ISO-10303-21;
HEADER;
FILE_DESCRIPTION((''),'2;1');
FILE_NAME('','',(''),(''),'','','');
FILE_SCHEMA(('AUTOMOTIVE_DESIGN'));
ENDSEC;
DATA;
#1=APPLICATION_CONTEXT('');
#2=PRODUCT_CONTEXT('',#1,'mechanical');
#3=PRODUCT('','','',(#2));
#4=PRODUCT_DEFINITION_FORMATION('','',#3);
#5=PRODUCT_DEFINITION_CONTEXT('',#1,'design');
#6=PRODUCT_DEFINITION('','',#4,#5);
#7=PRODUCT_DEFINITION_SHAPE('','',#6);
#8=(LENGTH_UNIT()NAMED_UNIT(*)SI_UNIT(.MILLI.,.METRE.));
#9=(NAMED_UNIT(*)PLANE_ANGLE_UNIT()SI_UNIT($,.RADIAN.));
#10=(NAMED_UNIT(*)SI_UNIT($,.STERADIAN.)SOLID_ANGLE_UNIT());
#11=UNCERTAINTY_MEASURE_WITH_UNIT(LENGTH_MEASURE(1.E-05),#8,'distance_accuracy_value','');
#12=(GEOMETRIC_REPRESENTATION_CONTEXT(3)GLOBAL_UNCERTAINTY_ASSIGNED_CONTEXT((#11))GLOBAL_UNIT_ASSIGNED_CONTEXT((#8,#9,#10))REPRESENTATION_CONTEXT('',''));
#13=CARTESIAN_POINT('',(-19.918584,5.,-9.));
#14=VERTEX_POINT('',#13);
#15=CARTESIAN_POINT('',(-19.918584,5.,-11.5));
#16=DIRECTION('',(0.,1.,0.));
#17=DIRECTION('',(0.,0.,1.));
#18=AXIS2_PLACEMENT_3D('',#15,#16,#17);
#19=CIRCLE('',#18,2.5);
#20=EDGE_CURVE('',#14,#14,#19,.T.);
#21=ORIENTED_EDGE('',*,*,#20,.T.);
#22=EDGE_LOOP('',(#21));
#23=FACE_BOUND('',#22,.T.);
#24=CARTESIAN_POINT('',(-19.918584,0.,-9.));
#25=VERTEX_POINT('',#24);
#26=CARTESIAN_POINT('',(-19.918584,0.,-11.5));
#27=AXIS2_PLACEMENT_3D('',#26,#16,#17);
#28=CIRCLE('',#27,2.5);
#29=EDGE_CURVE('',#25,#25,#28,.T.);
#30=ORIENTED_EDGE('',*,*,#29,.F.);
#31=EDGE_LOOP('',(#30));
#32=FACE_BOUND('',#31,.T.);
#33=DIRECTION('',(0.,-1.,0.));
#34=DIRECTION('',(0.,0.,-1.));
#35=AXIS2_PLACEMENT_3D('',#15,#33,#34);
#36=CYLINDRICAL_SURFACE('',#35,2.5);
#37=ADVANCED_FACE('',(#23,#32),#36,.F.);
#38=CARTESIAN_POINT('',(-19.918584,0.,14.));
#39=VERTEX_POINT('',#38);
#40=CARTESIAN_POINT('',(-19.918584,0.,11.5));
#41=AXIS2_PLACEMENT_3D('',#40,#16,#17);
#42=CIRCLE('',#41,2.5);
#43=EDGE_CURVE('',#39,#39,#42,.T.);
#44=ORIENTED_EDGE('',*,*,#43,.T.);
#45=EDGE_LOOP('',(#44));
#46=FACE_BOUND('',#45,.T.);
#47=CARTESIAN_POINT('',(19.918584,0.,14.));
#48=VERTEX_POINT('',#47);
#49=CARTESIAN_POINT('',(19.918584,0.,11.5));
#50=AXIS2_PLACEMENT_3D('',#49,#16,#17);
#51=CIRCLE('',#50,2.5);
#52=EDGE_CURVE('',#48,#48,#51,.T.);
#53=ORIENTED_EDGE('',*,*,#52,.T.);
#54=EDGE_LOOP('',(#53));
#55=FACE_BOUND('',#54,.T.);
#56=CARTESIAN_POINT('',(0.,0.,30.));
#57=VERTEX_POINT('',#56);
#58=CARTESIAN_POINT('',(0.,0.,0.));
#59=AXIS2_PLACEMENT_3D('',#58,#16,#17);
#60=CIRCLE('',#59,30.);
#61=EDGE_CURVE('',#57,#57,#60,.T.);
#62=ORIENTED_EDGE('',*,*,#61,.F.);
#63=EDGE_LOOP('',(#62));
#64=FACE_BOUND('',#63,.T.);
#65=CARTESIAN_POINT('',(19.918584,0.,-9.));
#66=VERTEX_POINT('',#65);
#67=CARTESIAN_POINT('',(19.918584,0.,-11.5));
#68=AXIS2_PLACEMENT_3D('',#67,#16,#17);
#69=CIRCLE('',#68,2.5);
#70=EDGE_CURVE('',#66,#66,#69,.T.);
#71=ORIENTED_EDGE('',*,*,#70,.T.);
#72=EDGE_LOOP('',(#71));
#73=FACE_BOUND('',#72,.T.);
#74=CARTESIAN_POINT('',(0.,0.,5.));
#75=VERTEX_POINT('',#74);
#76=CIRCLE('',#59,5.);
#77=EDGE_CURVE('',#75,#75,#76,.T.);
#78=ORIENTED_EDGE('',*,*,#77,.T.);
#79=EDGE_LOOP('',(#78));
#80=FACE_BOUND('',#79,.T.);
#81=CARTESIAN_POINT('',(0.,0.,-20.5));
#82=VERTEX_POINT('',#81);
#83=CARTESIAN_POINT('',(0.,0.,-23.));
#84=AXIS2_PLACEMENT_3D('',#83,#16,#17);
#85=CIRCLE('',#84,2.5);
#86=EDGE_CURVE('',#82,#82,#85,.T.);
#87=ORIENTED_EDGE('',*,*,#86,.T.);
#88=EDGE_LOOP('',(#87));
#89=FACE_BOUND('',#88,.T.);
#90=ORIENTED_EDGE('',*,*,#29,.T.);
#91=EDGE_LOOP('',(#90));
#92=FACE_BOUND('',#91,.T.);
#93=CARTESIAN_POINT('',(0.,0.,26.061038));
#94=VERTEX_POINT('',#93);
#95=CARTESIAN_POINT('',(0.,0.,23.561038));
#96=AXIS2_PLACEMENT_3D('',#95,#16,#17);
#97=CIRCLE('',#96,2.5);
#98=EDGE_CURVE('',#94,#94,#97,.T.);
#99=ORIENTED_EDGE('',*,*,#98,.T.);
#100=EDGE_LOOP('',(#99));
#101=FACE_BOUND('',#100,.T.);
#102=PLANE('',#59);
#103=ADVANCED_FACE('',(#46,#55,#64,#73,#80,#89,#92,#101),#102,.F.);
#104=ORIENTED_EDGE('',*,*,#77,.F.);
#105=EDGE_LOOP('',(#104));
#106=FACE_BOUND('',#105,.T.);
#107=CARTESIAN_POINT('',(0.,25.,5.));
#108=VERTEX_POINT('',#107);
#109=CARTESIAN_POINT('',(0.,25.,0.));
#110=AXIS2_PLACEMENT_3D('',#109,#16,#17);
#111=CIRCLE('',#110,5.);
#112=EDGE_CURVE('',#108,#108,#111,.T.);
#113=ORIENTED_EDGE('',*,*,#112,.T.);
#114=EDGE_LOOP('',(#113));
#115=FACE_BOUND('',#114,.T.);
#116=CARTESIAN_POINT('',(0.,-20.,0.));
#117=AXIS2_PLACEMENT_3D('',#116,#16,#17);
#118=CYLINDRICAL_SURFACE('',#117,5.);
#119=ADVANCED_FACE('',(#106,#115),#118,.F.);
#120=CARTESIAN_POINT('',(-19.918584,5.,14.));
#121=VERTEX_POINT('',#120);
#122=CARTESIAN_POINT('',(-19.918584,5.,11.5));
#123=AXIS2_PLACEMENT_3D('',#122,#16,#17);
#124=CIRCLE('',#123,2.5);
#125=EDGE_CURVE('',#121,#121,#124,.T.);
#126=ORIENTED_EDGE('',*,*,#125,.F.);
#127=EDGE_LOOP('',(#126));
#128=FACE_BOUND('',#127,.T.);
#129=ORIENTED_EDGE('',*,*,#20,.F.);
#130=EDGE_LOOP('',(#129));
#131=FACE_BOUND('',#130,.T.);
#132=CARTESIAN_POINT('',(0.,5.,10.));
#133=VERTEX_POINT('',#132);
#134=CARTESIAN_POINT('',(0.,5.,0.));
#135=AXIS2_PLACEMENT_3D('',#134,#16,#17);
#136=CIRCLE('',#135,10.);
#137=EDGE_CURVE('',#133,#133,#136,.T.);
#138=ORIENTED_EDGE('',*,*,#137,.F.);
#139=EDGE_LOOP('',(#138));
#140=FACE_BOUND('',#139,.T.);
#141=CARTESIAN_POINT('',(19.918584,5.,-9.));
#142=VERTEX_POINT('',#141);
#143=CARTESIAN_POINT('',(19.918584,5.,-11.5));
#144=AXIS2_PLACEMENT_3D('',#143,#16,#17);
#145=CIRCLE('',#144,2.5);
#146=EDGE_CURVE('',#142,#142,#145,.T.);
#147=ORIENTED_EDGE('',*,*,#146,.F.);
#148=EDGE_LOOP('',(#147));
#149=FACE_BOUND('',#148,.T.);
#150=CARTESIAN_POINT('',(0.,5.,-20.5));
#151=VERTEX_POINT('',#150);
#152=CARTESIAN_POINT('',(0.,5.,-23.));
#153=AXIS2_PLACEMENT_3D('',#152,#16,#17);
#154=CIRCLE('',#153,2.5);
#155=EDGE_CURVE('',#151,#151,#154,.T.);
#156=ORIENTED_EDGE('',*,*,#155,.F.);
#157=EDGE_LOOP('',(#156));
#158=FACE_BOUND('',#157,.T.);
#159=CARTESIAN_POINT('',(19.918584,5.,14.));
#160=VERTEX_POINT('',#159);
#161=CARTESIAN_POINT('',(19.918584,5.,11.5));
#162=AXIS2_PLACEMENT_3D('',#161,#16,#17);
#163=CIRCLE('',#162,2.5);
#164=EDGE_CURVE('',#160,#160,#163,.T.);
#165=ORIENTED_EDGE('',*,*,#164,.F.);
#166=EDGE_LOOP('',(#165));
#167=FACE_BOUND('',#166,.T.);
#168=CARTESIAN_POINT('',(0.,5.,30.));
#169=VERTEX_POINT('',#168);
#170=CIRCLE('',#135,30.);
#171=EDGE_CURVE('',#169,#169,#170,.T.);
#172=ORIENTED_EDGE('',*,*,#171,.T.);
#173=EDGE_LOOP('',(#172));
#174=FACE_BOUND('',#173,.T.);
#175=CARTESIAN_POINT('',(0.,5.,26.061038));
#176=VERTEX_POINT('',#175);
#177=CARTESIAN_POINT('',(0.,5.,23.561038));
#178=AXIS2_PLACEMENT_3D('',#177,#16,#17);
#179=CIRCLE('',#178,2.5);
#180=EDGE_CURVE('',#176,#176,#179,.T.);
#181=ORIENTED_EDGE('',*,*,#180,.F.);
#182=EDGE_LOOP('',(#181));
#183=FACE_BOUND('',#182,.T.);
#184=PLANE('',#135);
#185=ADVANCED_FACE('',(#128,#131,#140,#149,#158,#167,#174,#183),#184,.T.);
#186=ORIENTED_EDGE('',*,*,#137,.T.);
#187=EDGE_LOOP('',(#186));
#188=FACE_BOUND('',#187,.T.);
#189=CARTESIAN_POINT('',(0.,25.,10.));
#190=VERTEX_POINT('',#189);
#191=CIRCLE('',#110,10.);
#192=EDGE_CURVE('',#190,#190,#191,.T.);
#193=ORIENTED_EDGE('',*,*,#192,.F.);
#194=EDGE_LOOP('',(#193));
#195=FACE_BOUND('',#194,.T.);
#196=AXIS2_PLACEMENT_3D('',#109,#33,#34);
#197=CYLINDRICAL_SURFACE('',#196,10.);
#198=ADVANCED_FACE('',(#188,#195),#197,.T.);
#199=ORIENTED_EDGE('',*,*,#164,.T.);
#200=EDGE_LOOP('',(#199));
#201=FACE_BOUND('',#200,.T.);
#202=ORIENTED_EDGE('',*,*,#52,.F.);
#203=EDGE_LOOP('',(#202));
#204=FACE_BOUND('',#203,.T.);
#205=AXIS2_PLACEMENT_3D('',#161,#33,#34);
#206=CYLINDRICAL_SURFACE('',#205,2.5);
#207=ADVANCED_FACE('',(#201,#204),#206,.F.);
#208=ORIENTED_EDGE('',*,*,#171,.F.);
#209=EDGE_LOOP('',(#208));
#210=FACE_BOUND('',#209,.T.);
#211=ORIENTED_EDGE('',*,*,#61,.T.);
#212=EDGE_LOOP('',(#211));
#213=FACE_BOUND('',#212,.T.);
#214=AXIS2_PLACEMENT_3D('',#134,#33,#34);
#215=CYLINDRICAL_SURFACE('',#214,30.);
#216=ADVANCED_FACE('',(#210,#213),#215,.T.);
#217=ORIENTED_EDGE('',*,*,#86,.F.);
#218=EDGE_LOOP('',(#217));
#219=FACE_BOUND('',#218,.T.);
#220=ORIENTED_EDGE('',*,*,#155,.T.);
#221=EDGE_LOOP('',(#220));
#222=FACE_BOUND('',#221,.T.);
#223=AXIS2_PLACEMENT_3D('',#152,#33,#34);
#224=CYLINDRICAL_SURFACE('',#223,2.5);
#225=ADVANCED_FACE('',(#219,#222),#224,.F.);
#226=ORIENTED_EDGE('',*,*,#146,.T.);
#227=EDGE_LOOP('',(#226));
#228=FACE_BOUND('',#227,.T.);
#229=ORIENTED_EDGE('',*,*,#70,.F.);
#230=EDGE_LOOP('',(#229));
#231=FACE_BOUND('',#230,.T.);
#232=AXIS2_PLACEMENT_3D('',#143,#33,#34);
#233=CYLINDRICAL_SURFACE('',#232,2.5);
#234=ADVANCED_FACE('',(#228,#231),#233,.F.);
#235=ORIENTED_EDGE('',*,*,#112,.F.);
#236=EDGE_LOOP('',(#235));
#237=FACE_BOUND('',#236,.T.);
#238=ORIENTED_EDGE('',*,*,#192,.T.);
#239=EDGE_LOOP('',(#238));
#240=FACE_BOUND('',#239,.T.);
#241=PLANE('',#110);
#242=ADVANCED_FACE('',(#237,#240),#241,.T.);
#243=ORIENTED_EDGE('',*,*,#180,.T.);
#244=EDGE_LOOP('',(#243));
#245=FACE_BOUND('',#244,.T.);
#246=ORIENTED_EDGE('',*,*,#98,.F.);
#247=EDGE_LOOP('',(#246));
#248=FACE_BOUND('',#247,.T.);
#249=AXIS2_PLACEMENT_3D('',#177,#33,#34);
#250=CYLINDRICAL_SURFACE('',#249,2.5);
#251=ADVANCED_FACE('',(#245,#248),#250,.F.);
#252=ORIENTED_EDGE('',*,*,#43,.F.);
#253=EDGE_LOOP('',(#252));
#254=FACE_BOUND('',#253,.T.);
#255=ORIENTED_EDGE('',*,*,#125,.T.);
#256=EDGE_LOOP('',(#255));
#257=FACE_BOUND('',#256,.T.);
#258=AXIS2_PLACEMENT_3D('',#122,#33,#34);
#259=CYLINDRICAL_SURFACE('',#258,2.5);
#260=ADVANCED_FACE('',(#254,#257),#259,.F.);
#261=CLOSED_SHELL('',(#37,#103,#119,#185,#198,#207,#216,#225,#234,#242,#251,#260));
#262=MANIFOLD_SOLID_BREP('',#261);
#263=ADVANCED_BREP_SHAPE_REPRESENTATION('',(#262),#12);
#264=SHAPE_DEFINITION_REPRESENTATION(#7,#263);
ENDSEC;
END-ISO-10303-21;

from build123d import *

# Parameters (mm, degrees)
SKETCH1_R           = 30
SKETCH1_R_2         = 2.5
BOSS_EXTRUDE2_DEPTH = 5
SKETCH2_R           = 10
BOSS_EXTRUDE3_DEPTH = 20
SKETCH3_R           = 5
CUT_EXTRUDE1_DEPTH  = 45


with BuildPart() as part:
    # Sketch1 → Boss-Extrude2 (new body)
    with BuildSketch(Plane(origin=(0, 0, 0), x_dir=(1, 0, 0), z_dir=(0, 1, 0))):
        Circle(SKETCH1_R)
        with Locations((0, 23)):
            Circle(SKETCH1_R_2, mode=Mode.SUBTRACT)
        with Locations((19.918584287, 11.5)):
            Circle(SKETCH1_R_2, mode=Mode.SUBTRACT)
        with Locations((19.918584287, -11.5)):
            Circle(SKETCH1_R_2, mode=Mode.SUBTRACT)
        with Locations((0, -23.561037846)):
            Circle(SKETCH1_R_2, mode=Mode.SUBTRACT)
        with Locations((-19.918584287, -11.5)):
            Circle(SKETCH1_R_2, mode=Mode.SUBTRACT)
        with Locations((-19.918584287, 11.5)):
            Circle(SKETCH1_R_2, mode=Mode.SUBTRACT)
    extrude(amount=BOSS_EXTRUDE2_DEPTH)

    # Sketch2 → Boss-Extrude3 (add)
    with BuildSketch(Plane(origin=(0, 5, 0), x_dir=(1, 0, 0), z_dir=(0, 1, 0))):
        Circle(SKETCH2_R)
    extrude(amount=BOSS_EXTRUDE3_DEPTH)

    # Sketch3 → Cut-Extrude1 (cut)
    with BuildSketch(Plane(origin=(0, 25, 0), x_dir=(1, 0, 0), z_dir=(0, 1, 0))):
        Circle(SKETCH3_R)
    extrude(amount=-CUT_EXTRUDE1_DEPTH, mode=Mode.SUBTRACT)


solid = part.part
